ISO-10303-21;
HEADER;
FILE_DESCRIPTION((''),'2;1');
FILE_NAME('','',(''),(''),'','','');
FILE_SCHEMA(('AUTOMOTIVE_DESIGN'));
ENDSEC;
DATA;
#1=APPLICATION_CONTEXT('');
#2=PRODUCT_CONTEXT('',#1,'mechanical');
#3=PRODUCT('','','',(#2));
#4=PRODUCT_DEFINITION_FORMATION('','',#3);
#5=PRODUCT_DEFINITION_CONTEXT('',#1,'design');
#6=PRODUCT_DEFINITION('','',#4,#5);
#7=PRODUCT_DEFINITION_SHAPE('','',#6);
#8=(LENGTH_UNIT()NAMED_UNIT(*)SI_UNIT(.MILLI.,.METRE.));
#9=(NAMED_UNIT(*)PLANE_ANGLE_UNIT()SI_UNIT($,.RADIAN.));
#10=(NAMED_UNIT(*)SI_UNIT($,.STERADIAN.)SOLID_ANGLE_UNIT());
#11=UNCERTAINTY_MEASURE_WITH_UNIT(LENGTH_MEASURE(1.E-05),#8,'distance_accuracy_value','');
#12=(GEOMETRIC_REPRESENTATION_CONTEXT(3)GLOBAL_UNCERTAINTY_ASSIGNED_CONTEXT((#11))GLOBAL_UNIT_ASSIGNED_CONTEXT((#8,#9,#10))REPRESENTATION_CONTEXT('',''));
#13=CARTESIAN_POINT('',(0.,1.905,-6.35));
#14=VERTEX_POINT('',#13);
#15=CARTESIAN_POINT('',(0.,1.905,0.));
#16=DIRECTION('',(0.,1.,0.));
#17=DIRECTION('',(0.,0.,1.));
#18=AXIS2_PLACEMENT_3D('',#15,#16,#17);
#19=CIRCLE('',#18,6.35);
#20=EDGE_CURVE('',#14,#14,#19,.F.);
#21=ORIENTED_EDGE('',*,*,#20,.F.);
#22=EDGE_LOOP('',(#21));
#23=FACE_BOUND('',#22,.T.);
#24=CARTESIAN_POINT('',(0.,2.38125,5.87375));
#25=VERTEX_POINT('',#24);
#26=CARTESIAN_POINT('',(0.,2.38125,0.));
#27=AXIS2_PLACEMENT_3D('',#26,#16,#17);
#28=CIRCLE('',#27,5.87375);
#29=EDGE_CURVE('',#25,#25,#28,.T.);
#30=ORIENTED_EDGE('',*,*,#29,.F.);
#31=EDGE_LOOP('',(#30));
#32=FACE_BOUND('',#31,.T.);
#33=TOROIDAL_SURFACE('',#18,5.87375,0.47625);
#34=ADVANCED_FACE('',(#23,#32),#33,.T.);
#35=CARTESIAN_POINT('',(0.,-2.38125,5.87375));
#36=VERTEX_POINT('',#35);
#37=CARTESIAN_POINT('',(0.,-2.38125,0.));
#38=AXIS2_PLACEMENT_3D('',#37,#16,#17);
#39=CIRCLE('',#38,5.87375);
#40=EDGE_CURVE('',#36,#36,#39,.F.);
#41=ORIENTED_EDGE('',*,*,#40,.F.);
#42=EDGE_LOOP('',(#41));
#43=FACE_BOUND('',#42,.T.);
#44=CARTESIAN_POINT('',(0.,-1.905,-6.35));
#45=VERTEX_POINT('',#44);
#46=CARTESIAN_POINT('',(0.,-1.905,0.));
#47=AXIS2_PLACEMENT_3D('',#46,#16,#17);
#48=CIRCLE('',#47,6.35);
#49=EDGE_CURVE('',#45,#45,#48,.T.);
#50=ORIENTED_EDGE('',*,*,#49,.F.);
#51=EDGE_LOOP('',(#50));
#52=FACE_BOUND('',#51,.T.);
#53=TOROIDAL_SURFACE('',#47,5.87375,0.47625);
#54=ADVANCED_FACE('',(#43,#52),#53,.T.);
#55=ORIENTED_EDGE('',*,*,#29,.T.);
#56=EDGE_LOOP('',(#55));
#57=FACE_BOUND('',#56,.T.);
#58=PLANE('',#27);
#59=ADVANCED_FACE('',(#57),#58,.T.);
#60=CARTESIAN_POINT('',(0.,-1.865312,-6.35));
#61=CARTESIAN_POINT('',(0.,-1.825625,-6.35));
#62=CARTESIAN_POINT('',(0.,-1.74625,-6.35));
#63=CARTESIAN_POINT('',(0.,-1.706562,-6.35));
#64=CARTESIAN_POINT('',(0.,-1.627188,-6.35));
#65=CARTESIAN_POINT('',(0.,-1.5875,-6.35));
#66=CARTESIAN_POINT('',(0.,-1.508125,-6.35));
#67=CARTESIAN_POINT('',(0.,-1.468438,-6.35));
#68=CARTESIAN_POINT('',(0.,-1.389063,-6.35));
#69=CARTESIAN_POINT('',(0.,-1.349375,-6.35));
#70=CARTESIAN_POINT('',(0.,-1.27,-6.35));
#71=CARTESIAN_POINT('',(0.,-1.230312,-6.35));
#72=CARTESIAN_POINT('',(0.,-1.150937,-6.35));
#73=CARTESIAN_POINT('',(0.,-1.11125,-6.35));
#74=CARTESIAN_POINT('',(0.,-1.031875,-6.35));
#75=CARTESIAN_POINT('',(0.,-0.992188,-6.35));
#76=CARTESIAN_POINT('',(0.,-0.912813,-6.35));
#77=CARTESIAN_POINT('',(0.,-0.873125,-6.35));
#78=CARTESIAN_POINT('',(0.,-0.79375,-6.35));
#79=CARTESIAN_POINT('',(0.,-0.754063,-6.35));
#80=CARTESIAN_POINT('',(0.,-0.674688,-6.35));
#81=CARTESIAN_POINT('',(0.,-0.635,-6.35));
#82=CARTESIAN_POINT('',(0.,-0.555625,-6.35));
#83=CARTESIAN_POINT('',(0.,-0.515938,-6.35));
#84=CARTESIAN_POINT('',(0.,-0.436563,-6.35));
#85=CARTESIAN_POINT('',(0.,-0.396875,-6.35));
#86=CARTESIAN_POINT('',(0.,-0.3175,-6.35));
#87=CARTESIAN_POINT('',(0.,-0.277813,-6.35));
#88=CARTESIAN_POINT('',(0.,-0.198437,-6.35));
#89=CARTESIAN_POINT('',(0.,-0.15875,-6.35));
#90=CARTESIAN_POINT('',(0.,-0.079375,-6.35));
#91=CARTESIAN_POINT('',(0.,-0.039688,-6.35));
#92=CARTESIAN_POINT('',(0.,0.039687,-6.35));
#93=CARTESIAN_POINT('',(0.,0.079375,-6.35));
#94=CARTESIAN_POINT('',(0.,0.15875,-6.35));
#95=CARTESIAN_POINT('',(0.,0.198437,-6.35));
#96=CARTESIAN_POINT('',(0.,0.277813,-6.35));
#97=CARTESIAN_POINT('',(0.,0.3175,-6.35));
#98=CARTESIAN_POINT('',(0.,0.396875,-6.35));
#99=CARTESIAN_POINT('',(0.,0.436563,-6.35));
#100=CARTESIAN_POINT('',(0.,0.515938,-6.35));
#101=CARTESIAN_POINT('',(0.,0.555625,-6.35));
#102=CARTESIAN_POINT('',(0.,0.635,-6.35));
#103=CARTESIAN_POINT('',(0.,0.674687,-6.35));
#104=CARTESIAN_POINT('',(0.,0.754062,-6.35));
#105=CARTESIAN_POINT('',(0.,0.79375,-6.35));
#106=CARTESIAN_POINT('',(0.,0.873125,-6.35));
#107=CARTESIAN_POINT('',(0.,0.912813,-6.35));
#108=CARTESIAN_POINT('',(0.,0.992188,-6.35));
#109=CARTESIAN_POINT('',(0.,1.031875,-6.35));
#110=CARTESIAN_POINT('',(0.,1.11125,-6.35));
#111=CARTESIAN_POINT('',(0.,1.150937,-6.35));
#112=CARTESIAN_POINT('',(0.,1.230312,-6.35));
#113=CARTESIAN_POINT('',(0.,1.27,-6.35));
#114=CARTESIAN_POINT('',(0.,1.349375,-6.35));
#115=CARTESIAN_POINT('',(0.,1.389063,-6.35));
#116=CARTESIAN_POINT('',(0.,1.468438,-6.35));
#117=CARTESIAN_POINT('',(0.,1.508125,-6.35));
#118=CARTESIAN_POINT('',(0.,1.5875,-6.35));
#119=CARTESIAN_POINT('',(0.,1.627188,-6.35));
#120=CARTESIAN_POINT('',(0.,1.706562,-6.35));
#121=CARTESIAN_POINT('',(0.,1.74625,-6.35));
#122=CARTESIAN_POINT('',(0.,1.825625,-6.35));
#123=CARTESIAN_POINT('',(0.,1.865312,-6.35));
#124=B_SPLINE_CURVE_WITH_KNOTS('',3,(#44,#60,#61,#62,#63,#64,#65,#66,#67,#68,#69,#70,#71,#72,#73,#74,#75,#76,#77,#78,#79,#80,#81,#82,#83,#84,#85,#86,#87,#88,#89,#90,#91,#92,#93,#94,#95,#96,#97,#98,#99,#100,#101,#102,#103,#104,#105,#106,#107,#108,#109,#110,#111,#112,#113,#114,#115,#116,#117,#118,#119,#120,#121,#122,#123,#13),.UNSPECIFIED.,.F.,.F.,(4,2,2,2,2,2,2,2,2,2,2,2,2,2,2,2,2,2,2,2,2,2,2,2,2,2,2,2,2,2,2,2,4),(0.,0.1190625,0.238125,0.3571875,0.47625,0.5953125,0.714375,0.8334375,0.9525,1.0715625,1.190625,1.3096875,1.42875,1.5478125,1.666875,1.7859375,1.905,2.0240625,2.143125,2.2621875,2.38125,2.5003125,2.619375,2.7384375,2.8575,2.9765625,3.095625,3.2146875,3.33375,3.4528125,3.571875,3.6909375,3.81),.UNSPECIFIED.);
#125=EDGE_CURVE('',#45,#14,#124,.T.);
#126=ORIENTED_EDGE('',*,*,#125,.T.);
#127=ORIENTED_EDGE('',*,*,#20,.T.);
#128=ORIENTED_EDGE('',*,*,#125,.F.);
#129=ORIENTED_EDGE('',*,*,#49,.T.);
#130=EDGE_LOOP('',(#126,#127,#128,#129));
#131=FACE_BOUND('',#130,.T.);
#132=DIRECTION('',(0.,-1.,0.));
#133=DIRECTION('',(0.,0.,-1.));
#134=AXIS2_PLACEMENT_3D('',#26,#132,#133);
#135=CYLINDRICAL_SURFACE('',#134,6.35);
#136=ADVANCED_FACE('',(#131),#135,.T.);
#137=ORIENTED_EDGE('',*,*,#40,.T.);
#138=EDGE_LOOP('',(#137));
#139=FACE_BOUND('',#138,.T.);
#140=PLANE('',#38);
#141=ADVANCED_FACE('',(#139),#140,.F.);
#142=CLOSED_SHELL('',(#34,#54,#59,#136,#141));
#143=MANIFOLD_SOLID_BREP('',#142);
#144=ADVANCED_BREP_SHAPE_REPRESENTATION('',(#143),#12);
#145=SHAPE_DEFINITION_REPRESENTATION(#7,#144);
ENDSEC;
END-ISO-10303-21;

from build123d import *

# Parameters (mm, degrees)
SKETCH1_R           = 6.35
BOSS_EXTRUDE1_DEPTH = 2.38125
FILLET1_R           = 0.47625


with BuildPart() as part:
    # Sketch1 → Boss-Extrude1 (new, symmetric)
    with BuildSketch(Plane(origin=(0, 0, 0), x_dir=(1, 0, 0), z_dir=(0, 1, 0))):
        with Locations(Location((0, 0, 0), (0, 0, 90))):
            Circle(SKETCH1_R)
    extrude(amount=BOSS_EXTRUDE1_DEPTH, both=True)

    # Fillet1
    fillet1_edges = [part.edges().sort_by_distance(p)[0] for p in [
        (0, -2.38125, 6.35),
        (0, 2.38125, 6.35),
    ]]
    fillet(fillet1_edges, radius=FILLET1_R)


solid = part.part
